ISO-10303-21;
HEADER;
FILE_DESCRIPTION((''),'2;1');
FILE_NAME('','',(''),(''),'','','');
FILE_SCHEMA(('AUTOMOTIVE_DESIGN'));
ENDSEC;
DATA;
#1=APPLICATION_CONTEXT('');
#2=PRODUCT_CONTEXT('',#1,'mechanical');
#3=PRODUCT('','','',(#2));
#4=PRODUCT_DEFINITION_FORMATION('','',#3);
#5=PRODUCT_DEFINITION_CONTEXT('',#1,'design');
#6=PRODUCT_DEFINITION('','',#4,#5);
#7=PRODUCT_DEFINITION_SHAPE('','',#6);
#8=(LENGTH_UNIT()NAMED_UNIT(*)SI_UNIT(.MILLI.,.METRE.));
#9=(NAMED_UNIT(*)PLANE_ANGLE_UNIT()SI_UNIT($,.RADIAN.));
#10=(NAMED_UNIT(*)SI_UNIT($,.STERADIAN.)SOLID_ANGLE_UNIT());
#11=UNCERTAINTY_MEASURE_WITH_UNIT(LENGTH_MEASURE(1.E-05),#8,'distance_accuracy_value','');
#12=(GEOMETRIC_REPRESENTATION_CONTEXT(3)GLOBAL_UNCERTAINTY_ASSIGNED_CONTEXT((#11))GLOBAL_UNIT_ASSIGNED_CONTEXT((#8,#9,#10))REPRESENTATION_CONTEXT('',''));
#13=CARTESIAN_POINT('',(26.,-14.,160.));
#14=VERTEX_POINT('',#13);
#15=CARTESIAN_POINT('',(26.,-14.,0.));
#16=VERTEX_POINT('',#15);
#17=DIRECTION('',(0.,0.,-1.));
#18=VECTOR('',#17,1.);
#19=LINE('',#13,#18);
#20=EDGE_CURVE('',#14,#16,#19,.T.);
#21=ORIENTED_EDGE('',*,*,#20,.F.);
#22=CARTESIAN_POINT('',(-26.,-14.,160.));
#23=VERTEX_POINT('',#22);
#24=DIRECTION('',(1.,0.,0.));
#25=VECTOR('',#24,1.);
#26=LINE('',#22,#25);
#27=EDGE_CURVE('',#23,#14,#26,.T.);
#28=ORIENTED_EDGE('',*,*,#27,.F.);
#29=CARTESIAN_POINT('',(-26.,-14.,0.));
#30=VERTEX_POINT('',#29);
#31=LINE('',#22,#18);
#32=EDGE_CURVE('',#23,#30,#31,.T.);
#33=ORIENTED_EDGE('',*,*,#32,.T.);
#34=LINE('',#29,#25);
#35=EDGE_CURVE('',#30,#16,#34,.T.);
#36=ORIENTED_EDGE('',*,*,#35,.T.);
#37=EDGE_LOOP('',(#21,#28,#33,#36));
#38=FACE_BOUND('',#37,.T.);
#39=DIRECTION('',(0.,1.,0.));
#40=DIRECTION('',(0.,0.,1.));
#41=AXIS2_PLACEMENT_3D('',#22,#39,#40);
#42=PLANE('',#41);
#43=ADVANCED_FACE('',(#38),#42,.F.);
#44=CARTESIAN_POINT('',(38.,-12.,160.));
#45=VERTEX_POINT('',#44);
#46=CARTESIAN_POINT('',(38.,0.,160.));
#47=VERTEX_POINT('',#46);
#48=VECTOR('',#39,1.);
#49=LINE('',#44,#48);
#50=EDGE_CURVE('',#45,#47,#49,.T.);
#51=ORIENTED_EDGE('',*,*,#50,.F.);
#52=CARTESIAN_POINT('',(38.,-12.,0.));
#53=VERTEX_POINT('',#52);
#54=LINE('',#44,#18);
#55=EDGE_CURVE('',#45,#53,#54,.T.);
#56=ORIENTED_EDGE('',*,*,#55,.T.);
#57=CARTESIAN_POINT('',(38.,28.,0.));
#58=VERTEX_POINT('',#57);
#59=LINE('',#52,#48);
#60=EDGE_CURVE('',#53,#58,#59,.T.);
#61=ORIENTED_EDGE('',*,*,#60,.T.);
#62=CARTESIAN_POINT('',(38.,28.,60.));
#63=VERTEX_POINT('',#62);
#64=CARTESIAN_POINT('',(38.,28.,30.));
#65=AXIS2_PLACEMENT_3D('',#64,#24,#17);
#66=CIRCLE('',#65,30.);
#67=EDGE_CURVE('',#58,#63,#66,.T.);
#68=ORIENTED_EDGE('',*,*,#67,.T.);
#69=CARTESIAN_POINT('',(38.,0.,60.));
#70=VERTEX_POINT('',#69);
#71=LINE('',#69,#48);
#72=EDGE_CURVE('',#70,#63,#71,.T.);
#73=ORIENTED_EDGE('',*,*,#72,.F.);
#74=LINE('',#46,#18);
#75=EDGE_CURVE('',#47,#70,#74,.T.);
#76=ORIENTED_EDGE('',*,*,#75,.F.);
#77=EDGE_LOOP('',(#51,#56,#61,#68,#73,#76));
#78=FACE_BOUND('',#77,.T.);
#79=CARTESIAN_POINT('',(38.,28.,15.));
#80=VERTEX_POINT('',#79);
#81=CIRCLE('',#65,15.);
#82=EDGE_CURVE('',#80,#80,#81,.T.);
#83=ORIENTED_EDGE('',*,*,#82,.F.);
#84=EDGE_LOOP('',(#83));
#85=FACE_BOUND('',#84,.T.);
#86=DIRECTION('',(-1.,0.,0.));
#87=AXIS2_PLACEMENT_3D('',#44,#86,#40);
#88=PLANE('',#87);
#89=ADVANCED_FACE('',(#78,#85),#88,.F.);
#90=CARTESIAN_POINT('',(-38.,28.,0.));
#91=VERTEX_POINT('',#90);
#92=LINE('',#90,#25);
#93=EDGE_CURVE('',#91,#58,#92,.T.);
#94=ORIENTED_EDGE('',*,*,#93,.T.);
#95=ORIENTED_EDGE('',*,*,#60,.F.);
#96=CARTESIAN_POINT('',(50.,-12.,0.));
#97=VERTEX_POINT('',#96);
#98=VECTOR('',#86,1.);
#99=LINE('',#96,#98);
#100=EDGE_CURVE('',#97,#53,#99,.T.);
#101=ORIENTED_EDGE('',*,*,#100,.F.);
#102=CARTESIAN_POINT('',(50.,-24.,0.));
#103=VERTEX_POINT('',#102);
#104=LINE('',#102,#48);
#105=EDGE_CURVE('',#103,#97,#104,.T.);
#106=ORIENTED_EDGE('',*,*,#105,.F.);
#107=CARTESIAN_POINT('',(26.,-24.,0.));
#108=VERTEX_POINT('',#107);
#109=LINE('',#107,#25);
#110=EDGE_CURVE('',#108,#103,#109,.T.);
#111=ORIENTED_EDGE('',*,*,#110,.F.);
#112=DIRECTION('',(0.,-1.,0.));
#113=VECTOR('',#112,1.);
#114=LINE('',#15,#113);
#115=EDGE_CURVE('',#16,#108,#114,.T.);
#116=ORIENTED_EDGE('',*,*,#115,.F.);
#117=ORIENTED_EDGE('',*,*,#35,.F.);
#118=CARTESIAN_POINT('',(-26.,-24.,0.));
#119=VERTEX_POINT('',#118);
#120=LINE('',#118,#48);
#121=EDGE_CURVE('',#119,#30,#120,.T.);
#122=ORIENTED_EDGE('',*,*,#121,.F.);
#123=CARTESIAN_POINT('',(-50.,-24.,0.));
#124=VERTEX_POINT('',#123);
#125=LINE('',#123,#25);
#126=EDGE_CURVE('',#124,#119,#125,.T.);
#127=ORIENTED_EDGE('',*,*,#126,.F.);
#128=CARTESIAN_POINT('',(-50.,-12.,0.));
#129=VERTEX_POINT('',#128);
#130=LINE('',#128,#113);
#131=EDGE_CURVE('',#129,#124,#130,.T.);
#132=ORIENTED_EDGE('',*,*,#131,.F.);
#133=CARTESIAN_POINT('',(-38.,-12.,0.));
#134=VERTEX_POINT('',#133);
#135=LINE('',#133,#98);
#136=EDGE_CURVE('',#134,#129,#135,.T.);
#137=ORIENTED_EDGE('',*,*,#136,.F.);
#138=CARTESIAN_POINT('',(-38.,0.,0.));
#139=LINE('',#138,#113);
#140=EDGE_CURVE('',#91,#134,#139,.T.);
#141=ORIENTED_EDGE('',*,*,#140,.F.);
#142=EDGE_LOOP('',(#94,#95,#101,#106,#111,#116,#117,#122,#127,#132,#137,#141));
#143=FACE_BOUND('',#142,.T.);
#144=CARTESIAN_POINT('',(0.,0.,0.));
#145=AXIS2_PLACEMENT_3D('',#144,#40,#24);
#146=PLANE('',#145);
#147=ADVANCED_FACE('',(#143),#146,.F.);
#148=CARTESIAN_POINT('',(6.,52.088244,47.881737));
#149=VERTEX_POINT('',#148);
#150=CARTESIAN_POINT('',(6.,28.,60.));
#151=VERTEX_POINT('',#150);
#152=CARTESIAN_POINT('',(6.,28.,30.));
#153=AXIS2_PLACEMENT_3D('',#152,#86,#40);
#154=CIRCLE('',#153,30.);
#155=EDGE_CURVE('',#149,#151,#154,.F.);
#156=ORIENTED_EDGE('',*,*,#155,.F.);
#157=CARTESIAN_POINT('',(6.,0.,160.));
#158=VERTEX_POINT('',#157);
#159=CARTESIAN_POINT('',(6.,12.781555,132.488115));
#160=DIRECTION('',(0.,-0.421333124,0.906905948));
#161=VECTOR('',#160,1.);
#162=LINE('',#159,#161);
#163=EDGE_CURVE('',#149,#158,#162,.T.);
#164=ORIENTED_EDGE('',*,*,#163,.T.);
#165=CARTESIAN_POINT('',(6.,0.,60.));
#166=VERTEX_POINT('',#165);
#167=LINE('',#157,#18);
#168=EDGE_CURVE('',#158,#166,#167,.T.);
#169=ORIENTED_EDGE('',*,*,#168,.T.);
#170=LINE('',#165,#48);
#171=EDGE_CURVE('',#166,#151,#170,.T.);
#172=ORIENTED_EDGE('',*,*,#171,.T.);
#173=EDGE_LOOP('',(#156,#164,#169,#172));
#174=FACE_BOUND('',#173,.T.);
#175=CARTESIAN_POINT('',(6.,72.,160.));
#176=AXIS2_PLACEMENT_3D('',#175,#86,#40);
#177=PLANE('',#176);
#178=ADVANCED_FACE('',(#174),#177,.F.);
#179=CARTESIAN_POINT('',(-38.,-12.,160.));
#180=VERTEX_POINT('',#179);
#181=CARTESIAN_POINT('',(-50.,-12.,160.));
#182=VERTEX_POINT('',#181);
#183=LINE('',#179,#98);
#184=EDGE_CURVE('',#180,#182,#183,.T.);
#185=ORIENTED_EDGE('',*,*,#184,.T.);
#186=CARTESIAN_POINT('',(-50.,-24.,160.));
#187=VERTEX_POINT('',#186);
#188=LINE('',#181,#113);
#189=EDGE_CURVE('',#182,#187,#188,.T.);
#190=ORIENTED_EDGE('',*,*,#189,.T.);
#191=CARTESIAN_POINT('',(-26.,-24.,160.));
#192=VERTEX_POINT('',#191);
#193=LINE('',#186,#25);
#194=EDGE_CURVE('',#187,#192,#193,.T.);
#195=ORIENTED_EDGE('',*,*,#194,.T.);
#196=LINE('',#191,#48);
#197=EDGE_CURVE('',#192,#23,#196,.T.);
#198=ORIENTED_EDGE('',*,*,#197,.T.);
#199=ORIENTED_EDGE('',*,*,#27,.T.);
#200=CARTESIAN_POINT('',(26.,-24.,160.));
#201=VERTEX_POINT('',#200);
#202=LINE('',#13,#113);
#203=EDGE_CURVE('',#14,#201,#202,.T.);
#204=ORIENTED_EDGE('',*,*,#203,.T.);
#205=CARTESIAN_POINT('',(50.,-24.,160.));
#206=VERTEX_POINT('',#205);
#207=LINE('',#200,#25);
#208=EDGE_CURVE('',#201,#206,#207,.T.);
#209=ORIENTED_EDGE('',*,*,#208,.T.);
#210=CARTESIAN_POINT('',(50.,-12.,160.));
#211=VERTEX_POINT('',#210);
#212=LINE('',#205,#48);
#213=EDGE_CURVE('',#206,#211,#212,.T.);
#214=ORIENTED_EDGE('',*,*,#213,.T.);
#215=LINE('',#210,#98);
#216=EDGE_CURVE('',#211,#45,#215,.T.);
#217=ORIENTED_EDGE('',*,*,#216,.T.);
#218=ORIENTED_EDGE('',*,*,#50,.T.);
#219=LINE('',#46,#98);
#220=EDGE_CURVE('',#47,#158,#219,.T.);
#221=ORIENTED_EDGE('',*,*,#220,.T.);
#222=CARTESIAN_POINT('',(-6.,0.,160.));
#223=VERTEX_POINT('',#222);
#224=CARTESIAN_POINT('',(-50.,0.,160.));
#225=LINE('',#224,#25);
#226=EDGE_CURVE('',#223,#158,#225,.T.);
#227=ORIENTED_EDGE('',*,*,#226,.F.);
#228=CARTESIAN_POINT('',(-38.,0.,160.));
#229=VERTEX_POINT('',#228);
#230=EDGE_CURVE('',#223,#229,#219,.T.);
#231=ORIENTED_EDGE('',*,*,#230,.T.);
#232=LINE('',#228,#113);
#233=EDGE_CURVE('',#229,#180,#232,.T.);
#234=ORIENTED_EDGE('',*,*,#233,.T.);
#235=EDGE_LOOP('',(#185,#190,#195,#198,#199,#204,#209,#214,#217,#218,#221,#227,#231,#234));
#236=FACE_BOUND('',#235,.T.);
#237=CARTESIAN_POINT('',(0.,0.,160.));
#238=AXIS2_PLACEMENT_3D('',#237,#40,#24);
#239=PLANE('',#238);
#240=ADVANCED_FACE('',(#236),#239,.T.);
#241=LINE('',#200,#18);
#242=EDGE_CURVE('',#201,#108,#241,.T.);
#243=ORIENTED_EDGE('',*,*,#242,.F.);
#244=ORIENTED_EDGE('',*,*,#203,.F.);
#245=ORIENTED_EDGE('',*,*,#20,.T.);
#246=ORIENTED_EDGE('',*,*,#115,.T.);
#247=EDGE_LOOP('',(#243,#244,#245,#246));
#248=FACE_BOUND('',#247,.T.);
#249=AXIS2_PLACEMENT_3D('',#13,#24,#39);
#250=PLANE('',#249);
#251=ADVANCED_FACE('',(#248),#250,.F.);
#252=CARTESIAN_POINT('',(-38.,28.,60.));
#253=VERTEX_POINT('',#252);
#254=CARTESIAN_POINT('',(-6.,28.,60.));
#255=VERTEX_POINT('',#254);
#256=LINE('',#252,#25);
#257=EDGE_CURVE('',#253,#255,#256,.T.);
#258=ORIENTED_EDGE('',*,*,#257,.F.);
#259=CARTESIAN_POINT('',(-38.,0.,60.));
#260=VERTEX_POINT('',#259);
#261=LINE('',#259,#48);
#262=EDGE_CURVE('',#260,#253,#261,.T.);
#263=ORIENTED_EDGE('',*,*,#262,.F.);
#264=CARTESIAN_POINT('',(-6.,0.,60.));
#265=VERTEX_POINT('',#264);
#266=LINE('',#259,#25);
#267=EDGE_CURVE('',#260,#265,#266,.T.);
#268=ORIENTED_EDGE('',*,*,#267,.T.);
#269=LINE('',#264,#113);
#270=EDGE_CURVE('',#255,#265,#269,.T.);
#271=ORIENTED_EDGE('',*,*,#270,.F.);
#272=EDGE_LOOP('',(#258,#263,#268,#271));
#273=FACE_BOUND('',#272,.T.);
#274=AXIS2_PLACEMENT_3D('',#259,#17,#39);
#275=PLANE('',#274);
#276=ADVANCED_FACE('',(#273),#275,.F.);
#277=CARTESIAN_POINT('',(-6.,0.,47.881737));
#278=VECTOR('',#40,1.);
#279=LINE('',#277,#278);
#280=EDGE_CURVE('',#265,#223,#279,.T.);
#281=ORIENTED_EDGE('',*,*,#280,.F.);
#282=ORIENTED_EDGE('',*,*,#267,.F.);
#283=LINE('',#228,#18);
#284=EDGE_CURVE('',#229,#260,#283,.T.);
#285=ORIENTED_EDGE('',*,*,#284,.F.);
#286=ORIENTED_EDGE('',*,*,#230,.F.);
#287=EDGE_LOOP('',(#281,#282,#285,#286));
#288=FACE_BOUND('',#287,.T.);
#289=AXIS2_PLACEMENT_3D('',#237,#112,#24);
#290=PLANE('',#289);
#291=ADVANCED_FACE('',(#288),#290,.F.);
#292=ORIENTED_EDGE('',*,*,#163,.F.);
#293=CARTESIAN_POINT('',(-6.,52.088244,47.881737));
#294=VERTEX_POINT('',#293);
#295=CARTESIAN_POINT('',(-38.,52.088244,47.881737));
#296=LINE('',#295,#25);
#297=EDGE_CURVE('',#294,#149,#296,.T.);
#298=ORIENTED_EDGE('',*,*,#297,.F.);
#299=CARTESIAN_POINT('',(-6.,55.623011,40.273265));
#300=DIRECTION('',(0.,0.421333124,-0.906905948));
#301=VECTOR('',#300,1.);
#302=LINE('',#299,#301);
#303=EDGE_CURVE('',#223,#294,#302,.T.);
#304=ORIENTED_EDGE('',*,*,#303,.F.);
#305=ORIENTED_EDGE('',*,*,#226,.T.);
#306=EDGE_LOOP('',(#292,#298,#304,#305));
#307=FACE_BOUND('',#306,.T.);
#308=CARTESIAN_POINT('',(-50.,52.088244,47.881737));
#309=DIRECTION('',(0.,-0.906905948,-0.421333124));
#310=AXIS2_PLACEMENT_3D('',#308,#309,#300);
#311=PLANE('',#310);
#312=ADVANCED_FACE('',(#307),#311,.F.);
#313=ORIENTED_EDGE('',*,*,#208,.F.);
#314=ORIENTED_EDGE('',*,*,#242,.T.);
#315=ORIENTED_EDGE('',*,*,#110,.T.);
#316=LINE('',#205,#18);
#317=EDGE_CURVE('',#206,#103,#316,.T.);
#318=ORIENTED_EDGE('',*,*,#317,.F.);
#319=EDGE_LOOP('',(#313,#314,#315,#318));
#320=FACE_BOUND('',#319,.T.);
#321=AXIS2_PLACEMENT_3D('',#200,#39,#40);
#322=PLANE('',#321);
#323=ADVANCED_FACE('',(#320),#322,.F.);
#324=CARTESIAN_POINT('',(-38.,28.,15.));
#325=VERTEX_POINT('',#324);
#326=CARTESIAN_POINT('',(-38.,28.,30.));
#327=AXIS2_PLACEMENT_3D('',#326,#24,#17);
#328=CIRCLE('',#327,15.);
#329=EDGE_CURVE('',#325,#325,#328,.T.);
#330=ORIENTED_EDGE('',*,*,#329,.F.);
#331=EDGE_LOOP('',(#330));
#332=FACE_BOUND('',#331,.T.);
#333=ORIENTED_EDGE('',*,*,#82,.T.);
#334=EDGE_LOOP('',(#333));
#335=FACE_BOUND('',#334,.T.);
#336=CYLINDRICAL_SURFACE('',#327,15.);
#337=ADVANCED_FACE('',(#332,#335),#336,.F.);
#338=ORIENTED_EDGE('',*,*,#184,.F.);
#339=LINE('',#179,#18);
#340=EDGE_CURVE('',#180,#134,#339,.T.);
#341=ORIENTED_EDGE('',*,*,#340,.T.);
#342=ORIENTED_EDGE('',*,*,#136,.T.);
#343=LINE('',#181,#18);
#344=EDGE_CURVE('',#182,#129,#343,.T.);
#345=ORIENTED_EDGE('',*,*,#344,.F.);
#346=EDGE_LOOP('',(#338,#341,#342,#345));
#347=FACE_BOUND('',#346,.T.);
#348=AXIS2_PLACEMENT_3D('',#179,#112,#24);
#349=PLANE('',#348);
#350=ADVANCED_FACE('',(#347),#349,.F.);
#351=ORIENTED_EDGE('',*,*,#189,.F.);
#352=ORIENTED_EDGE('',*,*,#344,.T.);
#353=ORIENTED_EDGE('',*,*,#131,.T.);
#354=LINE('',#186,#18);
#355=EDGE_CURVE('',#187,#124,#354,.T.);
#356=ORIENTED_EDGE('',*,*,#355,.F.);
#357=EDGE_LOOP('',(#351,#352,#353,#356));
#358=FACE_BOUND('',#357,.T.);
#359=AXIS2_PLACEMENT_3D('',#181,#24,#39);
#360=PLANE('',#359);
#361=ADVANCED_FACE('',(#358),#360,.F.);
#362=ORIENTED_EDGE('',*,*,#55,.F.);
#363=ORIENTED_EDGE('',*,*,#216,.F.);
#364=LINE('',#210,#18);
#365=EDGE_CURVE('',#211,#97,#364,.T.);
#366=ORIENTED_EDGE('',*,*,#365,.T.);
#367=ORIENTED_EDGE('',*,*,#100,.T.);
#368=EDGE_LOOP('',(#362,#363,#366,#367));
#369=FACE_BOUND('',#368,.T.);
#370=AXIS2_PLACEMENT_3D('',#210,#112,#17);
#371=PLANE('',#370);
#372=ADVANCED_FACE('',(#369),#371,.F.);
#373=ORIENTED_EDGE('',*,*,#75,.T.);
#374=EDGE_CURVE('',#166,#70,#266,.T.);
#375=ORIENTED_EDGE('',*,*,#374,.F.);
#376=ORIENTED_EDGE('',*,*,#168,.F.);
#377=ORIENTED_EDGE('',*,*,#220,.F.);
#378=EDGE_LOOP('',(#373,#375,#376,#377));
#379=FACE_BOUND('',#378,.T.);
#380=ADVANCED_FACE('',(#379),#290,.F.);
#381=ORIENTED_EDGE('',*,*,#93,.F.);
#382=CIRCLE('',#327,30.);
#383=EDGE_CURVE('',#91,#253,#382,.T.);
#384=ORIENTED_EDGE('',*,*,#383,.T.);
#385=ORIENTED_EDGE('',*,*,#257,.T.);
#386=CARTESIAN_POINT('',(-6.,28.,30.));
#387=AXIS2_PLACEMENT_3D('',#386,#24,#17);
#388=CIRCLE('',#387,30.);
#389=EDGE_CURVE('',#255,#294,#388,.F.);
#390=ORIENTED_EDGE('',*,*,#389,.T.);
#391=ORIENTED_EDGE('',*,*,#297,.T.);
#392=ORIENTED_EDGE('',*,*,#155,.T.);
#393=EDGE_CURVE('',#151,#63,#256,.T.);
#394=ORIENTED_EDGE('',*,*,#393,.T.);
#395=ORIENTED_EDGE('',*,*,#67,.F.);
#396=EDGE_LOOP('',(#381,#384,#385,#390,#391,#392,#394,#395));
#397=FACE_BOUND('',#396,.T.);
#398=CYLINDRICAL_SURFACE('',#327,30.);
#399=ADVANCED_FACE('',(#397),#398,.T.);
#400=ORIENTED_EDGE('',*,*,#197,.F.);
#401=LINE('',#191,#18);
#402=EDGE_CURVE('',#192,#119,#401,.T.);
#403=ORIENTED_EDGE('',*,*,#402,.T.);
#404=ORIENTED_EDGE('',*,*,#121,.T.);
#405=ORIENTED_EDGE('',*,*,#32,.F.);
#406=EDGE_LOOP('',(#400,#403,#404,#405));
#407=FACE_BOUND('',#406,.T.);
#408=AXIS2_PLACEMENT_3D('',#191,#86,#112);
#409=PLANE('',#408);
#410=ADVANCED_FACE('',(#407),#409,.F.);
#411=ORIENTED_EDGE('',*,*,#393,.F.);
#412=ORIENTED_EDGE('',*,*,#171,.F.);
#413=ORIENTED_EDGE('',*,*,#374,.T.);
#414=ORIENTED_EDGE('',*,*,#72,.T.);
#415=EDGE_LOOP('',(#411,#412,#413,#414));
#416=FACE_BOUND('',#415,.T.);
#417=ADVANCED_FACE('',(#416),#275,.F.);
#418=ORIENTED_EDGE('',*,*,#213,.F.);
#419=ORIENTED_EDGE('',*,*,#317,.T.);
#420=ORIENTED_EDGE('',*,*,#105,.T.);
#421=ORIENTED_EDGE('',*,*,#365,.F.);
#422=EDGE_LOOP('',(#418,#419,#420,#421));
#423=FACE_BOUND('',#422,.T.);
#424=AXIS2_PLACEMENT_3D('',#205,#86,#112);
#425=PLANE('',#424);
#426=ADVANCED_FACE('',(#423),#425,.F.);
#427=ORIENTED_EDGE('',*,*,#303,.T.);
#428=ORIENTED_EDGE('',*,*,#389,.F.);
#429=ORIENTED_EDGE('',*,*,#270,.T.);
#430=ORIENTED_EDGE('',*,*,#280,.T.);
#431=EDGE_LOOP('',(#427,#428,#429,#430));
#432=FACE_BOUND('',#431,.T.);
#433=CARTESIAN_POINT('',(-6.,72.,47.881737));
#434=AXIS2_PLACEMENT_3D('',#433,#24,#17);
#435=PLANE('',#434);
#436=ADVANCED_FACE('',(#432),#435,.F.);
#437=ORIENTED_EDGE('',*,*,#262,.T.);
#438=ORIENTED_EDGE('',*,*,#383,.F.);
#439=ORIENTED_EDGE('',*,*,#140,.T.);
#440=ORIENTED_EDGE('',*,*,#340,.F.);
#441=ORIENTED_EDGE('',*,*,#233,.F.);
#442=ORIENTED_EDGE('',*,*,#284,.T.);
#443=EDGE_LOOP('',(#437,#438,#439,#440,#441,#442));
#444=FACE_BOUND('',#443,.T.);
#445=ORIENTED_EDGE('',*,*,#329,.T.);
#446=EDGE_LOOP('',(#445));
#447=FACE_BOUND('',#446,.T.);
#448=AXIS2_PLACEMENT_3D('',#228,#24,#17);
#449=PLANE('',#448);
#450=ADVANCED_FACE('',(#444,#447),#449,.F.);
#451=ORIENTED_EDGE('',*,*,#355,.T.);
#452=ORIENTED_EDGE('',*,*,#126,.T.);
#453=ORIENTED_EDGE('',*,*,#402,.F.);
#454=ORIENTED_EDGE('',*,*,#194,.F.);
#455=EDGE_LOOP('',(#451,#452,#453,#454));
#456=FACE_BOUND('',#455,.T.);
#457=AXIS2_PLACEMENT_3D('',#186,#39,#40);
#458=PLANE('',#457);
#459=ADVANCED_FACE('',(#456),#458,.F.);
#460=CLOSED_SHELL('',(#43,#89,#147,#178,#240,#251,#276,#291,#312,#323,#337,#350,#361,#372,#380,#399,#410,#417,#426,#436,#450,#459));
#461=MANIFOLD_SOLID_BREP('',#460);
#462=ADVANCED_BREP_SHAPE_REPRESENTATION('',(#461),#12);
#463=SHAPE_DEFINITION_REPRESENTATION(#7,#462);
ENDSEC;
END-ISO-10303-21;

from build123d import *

# Parameters (mm, degrees)
BOSS_EXTRUDE1_DEPTH     = 160
SKETCH2_R               = 15
BOSS_EXTRUDE9_DEPTH     = 76
SKETCH6_W               = 12
SKETCH6_H               = 112.118263274
BOSS_EXTRUDE10_DEPTH    = 72
CUT_EXTRUDE6_DEPTH      = 183.439030912
CUT_EXTRUDE6_DEPTH_BACK = 183.439030912


with BuildPart() as part:
    # Sketch1 → Boss-Extrude1 (new body)
    with BuildSketch(Plane.XY):
        Polygon((0, 0), (-38, 0), (-38, -12), (-50, -12), (-50, -24), (-26, -24), (-26, -14), (26, -14), (26, -24), (50, -24), (50, -12), (38, -12), (38, 0), align=None)
    extrude(amount=BOSS_EXTRUDE1_DEPTH)

    # Sketch2 → Boss-Extrude9 (add)
    with BuildSketch(Plane(origin=(38, 0, 0), x_dir=(0, 0, -1), z_dir=(1, 0, 0))):
        with BuildLine():
            Line((-60, 0), (0, 0))
            Line((0, 0), (0, 28))
            ThreePointArc((0, 28), (-30, 58), (-60, 28))
            Line((-60, 28), (-60, 0))
        make_face()
        with Locations((-30, 28)):
            Circle(SKETCH2_R, mode=Mode.SUBTRACT)
    extrude(amount=-BOSS_EXTRUDE9_DEPTH)

    # Sketch6 → Boss-Extrude10 (add)
    with BuildSketch(Plane(origin=(0, 0, 0), x_dir=(1, 0, 0), z_dir=(0, 1, 0))):
        with Locations((0, -103.940868363)):
            Rectangle(SKETCH6_W, SKETCH6_H)
    extrude(amount=BOSS_EXTRUDE10_DEPTH)

    # Sketch7 → Cut-Extrude6 (cut, two sides: drawn at the far end of the back side and taken through both)
    with BuildSketch(Plane(origin=(0, 0, 0), x_dir=(0, 0, -1), z_dir=(1, 0, 0)).offset(-CUT_EXTRUDE6_DEPTH_BACK)):
        Polygon((-47.881736726, 52.088243848), (-160, 0), (-160, 72), (-47.881736726, 72), align=None)
    extrude(amount=CUT_EXTRUDE6_DEPTH + CUT_EXTRUDE6_DEPTH_BACK, mode=Mode.SUBTRACT)


solid = part.part
